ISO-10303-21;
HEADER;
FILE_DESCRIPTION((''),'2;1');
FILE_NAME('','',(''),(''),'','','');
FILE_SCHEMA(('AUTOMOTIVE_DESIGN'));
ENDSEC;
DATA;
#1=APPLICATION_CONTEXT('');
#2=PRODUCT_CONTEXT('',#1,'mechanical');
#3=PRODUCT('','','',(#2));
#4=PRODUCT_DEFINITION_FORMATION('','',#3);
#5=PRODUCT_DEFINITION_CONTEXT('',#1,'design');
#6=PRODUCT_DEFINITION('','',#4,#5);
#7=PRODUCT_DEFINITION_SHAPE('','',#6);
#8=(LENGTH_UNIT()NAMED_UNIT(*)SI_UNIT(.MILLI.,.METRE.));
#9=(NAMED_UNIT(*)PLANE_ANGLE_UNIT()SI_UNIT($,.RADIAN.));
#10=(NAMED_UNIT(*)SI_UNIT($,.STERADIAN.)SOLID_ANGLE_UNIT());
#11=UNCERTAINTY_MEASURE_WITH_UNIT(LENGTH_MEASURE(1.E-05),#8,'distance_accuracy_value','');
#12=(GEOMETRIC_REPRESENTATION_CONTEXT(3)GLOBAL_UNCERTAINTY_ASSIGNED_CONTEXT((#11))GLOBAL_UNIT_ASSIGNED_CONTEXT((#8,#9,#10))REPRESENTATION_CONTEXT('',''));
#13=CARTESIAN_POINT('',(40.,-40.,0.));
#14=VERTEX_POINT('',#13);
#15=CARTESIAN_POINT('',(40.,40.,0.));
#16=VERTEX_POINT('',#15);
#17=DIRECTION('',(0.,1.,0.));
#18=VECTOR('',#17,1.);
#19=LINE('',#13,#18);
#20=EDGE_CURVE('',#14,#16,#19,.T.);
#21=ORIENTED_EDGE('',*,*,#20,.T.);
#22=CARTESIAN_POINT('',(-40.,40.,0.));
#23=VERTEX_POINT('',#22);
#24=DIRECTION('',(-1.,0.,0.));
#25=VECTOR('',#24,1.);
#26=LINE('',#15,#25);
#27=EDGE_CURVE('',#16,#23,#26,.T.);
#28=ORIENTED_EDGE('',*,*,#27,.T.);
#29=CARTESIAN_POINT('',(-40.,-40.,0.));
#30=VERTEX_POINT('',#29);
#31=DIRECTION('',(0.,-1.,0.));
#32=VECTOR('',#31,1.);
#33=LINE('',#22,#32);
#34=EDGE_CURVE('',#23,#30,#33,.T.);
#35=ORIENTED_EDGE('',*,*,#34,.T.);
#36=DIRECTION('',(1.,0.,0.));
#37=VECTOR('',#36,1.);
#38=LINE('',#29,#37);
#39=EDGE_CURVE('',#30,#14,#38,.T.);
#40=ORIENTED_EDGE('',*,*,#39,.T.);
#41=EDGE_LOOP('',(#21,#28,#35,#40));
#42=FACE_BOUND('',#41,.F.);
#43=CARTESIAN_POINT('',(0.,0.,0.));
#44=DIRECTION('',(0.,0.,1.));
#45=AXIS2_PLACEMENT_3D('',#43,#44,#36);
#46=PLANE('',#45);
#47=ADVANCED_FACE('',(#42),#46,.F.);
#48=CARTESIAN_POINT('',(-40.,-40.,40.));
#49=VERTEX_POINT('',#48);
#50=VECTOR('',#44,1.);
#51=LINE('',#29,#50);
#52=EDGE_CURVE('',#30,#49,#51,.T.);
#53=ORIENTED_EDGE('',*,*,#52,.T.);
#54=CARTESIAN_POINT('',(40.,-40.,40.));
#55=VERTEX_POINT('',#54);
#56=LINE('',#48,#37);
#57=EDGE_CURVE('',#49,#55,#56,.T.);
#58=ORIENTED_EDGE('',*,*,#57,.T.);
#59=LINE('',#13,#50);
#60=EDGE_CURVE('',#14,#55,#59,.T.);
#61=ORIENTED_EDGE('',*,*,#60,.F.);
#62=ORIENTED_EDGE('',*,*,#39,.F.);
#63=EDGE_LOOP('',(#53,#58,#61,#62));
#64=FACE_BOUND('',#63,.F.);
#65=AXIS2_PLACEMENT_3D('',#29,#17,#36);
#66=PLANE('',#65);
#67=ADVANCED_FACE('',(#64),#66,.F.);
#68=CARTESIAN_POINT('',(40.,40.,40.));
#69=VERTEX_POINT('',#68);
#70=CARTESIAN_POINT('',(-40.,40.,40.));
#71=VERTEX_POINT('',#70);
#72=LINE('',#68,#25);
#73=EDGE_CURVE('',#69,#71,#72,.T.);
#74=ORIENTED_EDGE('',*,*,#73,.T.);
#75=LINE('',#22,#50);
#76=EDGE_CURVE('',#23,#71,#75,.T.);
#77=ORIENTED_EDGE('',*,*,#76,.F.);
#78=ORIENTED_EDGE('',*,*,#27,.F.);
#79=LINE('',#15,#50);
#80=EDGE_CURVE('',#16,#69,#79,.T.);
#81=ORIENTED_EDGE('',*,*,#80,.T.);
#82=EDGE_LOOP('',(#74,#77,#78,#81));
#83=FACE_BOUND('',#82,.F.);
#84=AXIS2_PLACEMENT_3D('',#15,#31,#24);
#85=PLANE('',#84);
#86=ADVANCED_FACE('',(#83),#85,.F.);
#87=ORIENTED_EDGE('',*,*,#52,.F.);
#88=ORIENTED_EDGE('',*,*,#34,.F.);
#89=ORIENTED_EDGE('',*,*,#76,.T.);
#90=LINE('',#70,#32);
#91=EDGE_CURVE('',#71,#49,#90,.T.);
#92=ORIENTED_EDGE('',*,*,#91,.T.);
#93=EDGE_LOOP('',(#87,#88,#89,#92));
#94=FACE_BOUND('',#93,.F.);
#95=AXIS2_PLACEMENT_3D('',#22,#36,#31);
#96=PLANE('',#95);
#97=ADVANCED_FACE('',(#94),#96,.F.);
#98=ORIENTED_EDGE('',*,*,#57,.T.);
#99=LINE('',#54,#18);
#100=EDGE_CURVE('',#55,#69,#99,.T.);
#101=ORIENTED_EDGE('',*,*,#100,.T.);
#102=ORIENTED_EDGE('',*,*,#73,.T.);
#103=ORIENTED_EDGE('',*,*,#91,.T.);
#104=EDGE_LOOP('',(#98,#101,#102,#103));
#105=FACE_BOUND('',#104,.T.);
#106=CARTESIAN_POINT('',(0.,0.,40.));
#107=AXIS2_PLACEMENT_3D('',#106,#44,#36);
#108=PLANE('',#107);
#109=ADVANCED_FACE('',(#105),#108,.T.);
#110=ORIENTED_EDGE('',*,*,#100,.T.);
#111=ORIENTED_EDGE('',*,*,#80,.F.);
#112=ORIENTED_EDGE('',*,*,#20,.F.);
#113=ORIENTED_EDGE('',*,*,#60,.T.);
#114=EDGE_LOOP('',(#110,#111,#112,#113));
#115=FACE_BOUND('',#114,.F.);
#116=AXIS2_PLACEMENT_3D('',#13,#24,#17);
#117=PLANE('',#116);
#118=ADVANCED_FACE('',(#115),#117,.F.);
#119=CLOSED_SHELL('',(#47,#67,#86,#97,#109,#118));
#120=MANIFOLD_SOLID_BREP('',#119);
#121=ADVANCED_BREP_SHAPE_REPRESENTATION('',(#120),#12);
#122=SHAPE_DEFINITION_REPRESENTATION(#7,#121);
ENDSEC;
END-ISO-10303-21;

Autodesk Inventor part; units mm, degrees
ref_plane "YZ Plane" through (0, 0, 0) normal (1, 0, 0) x (0, 1, 0)
ref_plane "XZ Plane" through (0, 0, 0) normal (0, 1, 0) x (-1, 0, 0)
ref_plane "XY Plane" through (0, 0, 0) normal (0, 0, 1) x (1, 0, 0)
sketch "Sketch2" plane through (0, 0, 0) normal (0, 0, 1) x (1, 0, 0)
  line L0 (-40, -40) -> (40, -40)
  line L1 (40, -40) -> (40, 40)
  line L2 (40, 40) -> (-40, 40)
  line L3 (-40, 40) -> (-40, -40)
  line L4 (-40, -40) -> (40, 40) construction
  line L5 (40, -40) -> (-40, 40) construction
  point P0 (0, 0)
  dimension "d0" = 80
  dimension "d1" = 80
extrude "Extrusion1" add sketch "Sketch2" along normal blind 40
properties part number "PCB"
